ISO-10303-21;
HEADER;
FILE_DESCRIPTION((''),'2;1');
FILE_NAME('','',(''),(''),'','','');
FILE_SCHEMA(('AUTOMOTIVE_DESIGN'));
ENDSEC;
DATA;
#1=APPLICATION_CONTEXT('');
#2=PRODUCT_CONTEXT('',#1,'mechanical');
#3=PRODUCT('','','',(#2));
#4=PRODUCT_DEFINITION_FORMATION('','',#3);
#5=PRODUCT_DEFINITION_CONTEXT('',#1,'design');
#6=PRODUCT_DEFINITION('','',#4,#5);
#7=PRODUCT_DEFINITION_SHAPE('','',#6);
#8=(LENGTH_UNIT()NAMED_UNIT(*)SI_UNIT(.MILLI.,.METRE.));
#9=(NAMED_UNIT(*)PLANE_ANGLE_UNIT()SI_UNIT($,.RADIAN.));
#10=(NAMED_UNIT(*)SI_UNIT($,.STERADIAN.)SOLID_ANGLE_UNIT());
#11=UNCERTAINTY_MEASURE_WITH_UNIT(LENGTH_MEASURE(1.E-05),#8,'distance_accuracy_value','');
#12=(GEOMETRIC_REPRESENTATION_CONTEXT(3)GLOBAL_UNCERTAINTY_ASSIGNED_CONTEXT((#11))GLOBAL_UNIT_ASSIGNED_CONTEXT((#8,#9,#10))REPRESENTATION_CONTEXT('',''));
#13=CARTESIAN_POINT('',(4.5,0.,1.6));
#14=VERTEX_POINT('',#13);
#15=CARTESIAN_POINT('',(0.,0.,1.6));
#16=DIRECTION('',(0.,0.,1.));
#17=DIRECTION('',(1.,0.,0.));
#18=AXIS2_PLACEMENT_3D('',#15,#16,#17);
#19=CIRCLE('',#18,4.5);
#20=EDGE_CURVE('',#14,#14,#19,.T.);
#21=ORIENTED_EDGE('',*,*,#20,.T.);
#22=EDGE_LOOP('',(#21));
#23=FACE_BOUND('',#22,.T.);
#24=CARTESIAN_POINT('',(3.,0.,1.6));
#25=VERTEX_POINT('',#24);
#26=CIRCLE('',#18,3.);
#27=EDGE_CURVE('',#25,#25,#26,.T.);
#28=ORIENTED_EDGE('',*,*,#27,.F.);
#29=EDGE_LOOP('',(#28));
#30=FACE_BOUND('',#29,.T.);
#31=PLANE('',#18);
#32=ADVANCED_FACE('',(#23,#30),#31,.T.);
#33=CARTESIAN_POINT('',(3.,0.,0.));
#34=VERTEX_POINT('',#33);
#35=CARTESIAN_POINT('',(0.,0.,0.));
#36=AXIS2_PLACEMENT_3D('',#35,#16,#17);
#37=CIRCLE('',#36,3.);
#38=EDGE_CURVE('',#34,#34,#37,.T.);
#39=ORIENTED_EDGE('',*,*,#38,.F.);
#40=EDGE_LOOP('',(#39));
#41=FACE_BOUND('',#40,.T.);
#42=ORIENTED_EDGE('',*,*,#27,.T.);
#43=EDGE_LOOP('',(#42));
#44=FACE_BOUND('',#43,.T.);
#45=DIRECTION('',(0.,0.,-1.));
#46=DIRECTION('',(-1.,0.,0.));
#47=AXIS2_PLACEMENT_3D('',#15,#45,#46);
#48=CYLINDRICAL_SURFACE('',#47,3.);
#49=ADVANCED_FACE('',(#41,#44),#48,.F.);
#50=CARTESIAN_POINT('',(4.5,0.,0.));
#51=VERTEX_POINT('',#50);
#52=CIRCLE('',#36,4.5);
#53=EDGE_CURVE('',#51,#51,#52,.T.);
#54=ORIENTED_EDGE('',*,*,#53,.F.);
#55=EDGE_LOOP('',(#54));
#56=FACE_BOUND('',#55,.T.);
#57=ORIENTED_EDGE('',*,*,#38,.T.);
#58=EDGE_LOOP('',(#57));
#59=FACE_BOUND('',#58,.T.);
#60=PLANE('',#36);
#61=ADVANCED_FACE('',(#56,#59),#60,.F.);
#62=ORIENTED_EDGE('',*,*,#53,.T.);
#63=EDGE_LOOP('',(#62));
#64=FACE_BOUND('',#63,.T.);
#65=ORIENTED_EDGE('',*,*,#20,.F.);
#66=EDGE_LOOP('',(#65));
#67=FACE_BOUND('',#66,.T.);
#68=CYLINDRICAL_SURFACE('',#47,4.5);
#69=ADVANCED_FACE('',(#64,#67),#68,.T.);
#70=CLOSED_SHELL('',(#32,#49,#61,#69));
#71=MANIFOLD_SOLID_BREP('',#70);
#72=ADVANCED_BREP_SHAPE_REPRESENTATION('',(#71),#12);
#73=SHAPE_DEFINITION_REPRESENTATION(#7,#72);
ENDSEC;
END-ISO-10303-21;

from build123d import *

# Parameters (mm, degrees)
SKETCH_1_R      = 4.5
SKETCH_1_R_2    = 3
EXTRUDE_1_DEPTH = 1.6


with BuildPart() as part:
    # 草图1 → 凸台-拉伸1 (new body)
    with BuildSketch(Plane.XY):
        Circle(SKETCH_1_R)
        Circle(SKETCH_1_R_2, mode=Mode.SUBTRACT)
    extrude(amount=EXTRUDE_1_DEPTH)


solid = part.part
